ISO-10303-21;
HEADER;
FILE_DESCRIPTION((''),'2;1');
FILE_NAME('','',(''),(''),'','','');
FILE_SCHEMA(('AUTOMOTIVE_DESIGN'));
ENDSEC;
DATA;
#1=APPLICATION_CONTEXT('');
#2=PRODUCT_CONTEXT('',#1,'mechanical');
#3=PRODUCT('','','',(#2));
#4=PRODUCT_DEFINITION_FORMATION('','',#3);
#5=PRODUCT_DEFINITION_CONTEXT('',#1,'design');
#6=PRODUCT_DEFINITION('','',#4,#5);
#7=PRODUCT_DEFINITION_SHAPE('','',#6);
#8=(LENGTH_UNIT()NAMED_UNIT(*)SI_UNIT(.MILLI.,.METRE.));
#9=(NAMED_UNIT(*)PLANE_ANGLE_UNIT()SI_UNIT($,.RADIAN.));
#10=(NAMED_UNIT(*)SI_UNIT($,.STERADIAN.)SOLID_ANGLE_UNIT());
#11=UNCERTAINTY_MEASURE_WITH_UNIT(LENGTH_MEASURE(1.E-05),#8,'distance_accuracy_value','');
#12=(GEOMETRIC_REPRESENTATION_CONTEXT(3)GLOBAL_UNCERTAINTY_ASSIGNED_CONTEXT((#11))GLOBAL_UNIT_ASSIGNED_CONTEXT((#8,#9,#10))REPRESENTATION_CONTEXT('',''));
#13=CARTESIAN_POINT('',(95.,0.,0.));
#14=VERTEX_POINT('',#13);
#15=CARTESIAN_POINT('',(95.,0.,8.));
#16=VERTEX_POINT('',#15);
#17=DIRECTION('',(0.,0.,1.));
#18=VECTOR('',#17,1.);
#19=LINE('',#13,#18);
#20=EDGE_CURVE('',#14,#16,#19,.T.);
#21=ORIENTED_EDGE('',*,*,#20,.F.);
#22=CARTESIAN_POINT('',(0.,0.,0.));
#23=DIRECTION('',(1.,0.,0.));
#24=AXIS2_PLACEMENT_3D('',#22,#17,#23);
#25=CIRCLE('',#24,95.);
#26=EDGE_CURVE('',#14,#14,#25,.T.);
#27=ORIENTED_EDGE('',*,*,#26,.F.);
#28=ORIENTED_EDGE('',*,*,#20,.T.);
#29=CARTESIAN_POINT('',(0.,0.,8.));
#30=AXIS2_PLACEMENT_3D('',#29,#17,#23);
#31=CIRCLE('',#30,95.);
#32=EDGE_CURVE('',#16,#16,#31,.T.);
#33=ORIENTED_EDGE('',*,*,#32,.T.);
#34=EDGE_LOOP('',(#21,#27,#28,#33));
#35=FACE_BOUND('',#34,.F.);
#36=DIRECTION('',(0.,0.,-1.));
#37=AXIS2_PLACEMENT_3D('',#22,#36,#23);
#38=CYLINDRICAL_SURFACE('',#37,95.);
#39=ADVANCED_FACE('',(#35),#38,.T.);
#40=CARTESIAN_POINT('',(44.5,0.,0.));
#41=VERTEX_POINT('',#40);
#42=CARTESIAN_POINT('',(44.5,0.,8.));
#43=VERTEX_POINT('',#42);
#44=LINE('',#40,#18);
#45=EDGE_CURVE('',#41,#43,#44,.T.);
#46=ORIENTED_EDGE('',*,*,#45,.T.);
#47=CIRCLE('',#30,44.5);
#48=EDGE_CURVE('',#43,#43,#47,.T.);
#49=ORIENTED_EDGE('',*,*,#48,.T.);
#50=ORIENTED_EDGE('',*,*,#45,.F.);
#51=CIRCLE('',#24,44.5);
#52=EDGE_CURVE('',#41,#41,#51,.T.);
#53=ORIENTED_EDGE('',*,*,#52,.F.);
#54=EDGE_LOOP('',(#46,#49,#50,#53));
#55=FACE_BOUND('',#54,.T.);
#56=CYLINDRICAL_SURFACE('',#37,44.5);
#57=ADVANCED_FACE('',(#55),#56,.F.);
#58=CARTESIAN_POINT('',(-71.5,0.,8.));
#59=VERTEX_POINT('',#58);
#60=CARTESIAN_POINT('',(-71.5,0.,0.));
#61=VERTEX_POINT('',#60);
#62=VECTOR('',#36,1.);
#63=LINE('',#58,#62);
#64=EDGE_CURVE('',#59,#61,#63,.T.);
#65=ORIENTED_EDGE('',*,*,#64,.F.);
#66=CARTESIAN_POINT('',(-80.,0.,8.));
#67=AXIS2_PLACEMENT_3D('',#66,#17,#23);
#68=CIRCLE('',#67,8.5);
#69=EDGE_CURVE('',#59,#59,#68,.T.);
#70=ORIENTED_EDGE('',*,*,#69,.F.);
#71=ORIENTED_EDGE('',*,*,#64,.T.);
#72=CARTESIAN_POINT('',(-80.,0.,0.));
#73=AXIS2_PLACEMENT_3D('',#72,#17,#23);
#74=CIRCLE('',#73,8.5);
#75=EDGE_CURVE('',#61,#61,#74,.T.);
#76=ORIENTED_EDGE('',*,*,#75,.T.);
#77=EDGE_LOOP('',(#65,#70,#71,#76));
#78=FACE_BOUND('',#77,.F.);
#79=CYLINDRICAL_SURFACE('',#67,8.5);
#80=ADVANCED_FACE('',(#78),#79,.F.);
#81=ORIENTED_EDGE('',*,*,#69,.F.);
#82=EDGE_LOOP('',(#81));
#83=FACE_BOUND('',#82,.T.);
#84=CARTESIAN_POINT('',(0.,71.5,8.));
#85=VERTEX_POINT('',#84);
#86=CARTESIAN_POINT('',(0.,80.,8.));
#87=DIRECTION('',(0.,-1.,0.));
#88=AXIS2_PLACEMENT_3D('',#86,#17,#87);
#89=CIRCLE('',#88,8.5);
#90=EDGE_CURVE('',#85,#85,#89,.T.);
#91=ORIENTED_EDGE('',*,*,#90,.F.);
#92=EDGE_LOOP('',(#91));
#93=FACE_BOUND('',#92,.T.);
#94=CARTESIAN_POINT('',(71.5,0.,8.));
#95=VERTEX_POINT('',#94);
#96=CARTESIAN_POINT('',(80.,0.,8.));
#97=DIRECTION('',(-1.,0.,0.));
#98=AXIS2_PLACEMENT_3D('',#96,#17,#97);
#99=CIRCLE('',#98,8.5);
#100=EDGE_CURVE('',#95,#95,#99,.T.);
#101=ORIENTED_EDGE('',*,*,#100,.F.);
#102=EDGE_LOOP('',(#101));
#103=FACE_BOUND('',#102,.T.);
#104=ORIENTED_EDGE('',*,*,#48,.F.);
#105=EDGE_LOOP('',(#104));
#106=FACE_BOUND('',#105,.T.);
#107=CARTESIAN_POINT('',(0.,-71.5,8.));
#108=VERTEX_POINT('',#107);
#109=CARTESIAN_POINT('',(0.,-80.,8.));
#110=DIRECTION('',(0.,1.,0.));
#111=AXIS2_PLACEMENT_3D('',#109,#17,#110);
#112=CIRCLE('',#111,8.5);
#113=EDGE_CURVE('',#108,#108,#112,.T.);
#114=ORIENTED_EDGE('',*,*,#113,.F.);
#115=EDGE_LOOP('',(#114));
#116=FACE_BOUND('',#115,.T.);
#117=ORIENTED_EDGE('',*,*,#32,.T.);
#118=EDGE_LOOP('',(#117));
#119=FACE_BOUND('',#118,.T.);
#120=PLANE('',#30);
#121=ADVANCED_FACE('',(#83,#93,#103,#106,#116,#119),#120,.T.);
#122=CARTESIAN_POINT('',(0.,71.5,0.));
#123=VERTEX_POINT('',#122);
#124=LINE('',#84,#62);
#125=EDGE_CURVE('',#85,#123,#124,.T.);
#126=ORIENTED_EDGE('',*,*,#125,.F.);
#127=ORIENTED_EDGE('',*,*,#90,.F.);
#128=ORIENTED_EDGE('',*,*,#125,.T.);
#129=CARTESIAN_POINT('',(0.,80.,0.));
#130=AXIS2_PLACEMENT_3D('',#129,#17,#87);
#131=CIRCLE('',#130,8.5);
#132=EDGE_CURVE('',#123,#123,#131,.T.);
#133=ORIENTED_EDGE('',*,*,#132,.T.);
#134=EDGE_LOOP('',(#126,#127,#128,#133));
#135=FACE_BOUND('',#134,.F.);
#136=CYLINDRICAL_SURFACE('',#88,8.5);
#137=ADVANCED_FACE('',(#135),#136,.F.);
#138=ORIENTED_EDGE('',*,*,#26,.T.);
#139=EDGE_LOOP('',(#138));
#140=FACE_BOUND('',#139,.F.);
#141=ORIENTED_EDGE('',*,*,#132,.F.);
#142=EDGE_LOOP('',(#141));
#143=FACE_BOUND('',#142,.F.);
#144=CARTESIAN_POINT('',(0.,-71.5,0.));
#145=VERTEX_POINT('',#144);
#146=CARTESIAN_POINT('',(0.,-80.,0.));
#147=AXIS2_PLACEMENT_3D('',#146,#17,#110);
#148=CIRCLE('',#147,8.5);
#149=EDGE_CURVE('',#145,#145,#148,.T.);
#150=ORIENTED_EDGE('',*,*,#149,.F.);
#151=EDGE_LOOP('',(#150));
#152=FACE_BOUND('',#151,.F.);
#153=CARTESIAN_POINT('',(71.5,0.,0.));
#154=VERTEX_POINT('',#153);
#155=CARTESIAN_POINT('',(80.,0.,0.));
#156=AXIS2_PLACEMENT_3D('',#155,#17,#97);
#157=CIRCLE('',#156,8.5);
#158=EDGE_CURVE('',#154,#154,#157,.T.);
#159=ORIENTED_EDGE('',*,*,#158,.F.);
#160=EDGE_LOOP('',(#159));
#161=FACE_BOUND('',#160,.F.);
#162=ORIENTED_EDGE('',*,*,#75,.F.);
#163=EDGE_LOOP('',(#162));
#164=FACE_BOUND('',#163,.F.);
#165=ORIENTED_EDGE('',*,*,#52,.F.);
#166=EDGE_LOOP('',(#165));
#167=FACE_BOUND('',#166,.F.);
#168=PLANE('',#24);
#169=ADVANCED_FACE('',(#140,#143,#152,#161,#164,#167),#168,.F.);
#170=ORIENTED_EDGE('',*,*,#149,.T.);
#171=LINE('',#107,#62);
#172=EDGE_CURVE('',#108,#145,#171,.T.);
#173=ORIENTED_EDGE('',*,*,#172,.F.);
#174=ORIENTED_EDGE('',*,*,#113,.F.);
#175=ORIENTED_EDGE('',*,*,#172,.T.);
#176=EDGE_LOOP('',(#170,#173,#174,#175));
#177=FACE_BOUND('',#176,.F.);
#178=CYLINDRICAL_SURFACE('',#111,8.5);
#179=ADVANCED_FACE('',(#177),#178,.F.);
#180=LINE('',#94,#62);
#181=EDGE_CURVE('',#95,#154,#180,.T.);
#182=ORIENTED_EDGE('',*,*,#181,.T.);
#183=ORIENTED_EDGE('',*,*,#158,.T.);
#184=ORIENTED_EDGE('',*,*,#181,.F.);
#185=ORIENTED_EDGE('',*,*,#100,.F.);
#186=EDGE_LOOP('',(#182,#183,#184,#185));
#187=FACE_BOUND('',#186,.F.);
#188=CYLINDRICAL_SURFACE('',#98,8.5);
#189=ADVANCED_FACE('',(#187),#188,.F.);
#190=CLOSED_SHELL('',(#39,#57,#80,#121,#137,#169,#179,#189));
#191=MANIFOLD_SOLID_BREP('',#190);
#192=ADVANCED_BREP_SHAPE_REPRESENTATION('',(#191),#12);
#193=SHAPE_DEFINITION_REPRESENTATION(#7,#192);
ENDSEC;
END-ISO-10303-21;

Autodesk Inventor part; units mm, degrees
ref_plane "YZ Plane" through (0, 0, 0) normal (1, 0, 0) x (0, 1, 0)
ref_plane "XZ Plane" through (0, 0, 0) normal (0, 1, 0) x (-1, 0, 0)
ref_plane "XY Plane" through (0, 0, 0) normal (0, 0, 1) x (1, 0, 0)
sketch "Sketch2" plane through (0, 0, 0) normal (0, 0, 1) x (1, 0, 0)
  circle A0 centre (0, 0) radius 44.5
  circle A1 centre (0, 0) radius 95
  dimension "d25" = 89
  dimension "d27" = 190
extrude "Plate2" add sketch "Sketch2" along normal blind 8
sketch "Sketch3" plane through (0, 0, 8) normal (0, 0, 1) x (1, 0, 0)
  circle A0 centre (-80, 0) radius 8.5
  circle A1 centre (0, 0) radius 80 construction
  dimension "d28" = 160
  dimension "d15" = 17
extrude "Cut1" cut sketch "Sketch3" against normal blind 8
pattern_circular "Circular Pattern1" count 4 over 360 about axis through (0, 0, -10) along (0, 0, 1) of "Cut1"
equation "\"d17\" = Thickness"
equation "\"d14\" = Thickness"
equation "\"BendReliefWidth\" = Thickness"
equation "\"BendReliefDepth\" = 0.5 * Thickness"
equation "\"CornerReliefSize\" = 4 * Thickness"
equation "\"MinimumRemnant\" = 2 * Thickness"
equation "\"TransitionRadius\" = BendRadius"
equation "\"JacobiRadiusSize\" = BendRadius"
equation "\"GapSize\" = Thickness"
equation "\"Thickness\" = 8"
equation "\"BendRadius\" = 6"
properties part number "TZS 0931 FDS flange DN90" material "Steel"
